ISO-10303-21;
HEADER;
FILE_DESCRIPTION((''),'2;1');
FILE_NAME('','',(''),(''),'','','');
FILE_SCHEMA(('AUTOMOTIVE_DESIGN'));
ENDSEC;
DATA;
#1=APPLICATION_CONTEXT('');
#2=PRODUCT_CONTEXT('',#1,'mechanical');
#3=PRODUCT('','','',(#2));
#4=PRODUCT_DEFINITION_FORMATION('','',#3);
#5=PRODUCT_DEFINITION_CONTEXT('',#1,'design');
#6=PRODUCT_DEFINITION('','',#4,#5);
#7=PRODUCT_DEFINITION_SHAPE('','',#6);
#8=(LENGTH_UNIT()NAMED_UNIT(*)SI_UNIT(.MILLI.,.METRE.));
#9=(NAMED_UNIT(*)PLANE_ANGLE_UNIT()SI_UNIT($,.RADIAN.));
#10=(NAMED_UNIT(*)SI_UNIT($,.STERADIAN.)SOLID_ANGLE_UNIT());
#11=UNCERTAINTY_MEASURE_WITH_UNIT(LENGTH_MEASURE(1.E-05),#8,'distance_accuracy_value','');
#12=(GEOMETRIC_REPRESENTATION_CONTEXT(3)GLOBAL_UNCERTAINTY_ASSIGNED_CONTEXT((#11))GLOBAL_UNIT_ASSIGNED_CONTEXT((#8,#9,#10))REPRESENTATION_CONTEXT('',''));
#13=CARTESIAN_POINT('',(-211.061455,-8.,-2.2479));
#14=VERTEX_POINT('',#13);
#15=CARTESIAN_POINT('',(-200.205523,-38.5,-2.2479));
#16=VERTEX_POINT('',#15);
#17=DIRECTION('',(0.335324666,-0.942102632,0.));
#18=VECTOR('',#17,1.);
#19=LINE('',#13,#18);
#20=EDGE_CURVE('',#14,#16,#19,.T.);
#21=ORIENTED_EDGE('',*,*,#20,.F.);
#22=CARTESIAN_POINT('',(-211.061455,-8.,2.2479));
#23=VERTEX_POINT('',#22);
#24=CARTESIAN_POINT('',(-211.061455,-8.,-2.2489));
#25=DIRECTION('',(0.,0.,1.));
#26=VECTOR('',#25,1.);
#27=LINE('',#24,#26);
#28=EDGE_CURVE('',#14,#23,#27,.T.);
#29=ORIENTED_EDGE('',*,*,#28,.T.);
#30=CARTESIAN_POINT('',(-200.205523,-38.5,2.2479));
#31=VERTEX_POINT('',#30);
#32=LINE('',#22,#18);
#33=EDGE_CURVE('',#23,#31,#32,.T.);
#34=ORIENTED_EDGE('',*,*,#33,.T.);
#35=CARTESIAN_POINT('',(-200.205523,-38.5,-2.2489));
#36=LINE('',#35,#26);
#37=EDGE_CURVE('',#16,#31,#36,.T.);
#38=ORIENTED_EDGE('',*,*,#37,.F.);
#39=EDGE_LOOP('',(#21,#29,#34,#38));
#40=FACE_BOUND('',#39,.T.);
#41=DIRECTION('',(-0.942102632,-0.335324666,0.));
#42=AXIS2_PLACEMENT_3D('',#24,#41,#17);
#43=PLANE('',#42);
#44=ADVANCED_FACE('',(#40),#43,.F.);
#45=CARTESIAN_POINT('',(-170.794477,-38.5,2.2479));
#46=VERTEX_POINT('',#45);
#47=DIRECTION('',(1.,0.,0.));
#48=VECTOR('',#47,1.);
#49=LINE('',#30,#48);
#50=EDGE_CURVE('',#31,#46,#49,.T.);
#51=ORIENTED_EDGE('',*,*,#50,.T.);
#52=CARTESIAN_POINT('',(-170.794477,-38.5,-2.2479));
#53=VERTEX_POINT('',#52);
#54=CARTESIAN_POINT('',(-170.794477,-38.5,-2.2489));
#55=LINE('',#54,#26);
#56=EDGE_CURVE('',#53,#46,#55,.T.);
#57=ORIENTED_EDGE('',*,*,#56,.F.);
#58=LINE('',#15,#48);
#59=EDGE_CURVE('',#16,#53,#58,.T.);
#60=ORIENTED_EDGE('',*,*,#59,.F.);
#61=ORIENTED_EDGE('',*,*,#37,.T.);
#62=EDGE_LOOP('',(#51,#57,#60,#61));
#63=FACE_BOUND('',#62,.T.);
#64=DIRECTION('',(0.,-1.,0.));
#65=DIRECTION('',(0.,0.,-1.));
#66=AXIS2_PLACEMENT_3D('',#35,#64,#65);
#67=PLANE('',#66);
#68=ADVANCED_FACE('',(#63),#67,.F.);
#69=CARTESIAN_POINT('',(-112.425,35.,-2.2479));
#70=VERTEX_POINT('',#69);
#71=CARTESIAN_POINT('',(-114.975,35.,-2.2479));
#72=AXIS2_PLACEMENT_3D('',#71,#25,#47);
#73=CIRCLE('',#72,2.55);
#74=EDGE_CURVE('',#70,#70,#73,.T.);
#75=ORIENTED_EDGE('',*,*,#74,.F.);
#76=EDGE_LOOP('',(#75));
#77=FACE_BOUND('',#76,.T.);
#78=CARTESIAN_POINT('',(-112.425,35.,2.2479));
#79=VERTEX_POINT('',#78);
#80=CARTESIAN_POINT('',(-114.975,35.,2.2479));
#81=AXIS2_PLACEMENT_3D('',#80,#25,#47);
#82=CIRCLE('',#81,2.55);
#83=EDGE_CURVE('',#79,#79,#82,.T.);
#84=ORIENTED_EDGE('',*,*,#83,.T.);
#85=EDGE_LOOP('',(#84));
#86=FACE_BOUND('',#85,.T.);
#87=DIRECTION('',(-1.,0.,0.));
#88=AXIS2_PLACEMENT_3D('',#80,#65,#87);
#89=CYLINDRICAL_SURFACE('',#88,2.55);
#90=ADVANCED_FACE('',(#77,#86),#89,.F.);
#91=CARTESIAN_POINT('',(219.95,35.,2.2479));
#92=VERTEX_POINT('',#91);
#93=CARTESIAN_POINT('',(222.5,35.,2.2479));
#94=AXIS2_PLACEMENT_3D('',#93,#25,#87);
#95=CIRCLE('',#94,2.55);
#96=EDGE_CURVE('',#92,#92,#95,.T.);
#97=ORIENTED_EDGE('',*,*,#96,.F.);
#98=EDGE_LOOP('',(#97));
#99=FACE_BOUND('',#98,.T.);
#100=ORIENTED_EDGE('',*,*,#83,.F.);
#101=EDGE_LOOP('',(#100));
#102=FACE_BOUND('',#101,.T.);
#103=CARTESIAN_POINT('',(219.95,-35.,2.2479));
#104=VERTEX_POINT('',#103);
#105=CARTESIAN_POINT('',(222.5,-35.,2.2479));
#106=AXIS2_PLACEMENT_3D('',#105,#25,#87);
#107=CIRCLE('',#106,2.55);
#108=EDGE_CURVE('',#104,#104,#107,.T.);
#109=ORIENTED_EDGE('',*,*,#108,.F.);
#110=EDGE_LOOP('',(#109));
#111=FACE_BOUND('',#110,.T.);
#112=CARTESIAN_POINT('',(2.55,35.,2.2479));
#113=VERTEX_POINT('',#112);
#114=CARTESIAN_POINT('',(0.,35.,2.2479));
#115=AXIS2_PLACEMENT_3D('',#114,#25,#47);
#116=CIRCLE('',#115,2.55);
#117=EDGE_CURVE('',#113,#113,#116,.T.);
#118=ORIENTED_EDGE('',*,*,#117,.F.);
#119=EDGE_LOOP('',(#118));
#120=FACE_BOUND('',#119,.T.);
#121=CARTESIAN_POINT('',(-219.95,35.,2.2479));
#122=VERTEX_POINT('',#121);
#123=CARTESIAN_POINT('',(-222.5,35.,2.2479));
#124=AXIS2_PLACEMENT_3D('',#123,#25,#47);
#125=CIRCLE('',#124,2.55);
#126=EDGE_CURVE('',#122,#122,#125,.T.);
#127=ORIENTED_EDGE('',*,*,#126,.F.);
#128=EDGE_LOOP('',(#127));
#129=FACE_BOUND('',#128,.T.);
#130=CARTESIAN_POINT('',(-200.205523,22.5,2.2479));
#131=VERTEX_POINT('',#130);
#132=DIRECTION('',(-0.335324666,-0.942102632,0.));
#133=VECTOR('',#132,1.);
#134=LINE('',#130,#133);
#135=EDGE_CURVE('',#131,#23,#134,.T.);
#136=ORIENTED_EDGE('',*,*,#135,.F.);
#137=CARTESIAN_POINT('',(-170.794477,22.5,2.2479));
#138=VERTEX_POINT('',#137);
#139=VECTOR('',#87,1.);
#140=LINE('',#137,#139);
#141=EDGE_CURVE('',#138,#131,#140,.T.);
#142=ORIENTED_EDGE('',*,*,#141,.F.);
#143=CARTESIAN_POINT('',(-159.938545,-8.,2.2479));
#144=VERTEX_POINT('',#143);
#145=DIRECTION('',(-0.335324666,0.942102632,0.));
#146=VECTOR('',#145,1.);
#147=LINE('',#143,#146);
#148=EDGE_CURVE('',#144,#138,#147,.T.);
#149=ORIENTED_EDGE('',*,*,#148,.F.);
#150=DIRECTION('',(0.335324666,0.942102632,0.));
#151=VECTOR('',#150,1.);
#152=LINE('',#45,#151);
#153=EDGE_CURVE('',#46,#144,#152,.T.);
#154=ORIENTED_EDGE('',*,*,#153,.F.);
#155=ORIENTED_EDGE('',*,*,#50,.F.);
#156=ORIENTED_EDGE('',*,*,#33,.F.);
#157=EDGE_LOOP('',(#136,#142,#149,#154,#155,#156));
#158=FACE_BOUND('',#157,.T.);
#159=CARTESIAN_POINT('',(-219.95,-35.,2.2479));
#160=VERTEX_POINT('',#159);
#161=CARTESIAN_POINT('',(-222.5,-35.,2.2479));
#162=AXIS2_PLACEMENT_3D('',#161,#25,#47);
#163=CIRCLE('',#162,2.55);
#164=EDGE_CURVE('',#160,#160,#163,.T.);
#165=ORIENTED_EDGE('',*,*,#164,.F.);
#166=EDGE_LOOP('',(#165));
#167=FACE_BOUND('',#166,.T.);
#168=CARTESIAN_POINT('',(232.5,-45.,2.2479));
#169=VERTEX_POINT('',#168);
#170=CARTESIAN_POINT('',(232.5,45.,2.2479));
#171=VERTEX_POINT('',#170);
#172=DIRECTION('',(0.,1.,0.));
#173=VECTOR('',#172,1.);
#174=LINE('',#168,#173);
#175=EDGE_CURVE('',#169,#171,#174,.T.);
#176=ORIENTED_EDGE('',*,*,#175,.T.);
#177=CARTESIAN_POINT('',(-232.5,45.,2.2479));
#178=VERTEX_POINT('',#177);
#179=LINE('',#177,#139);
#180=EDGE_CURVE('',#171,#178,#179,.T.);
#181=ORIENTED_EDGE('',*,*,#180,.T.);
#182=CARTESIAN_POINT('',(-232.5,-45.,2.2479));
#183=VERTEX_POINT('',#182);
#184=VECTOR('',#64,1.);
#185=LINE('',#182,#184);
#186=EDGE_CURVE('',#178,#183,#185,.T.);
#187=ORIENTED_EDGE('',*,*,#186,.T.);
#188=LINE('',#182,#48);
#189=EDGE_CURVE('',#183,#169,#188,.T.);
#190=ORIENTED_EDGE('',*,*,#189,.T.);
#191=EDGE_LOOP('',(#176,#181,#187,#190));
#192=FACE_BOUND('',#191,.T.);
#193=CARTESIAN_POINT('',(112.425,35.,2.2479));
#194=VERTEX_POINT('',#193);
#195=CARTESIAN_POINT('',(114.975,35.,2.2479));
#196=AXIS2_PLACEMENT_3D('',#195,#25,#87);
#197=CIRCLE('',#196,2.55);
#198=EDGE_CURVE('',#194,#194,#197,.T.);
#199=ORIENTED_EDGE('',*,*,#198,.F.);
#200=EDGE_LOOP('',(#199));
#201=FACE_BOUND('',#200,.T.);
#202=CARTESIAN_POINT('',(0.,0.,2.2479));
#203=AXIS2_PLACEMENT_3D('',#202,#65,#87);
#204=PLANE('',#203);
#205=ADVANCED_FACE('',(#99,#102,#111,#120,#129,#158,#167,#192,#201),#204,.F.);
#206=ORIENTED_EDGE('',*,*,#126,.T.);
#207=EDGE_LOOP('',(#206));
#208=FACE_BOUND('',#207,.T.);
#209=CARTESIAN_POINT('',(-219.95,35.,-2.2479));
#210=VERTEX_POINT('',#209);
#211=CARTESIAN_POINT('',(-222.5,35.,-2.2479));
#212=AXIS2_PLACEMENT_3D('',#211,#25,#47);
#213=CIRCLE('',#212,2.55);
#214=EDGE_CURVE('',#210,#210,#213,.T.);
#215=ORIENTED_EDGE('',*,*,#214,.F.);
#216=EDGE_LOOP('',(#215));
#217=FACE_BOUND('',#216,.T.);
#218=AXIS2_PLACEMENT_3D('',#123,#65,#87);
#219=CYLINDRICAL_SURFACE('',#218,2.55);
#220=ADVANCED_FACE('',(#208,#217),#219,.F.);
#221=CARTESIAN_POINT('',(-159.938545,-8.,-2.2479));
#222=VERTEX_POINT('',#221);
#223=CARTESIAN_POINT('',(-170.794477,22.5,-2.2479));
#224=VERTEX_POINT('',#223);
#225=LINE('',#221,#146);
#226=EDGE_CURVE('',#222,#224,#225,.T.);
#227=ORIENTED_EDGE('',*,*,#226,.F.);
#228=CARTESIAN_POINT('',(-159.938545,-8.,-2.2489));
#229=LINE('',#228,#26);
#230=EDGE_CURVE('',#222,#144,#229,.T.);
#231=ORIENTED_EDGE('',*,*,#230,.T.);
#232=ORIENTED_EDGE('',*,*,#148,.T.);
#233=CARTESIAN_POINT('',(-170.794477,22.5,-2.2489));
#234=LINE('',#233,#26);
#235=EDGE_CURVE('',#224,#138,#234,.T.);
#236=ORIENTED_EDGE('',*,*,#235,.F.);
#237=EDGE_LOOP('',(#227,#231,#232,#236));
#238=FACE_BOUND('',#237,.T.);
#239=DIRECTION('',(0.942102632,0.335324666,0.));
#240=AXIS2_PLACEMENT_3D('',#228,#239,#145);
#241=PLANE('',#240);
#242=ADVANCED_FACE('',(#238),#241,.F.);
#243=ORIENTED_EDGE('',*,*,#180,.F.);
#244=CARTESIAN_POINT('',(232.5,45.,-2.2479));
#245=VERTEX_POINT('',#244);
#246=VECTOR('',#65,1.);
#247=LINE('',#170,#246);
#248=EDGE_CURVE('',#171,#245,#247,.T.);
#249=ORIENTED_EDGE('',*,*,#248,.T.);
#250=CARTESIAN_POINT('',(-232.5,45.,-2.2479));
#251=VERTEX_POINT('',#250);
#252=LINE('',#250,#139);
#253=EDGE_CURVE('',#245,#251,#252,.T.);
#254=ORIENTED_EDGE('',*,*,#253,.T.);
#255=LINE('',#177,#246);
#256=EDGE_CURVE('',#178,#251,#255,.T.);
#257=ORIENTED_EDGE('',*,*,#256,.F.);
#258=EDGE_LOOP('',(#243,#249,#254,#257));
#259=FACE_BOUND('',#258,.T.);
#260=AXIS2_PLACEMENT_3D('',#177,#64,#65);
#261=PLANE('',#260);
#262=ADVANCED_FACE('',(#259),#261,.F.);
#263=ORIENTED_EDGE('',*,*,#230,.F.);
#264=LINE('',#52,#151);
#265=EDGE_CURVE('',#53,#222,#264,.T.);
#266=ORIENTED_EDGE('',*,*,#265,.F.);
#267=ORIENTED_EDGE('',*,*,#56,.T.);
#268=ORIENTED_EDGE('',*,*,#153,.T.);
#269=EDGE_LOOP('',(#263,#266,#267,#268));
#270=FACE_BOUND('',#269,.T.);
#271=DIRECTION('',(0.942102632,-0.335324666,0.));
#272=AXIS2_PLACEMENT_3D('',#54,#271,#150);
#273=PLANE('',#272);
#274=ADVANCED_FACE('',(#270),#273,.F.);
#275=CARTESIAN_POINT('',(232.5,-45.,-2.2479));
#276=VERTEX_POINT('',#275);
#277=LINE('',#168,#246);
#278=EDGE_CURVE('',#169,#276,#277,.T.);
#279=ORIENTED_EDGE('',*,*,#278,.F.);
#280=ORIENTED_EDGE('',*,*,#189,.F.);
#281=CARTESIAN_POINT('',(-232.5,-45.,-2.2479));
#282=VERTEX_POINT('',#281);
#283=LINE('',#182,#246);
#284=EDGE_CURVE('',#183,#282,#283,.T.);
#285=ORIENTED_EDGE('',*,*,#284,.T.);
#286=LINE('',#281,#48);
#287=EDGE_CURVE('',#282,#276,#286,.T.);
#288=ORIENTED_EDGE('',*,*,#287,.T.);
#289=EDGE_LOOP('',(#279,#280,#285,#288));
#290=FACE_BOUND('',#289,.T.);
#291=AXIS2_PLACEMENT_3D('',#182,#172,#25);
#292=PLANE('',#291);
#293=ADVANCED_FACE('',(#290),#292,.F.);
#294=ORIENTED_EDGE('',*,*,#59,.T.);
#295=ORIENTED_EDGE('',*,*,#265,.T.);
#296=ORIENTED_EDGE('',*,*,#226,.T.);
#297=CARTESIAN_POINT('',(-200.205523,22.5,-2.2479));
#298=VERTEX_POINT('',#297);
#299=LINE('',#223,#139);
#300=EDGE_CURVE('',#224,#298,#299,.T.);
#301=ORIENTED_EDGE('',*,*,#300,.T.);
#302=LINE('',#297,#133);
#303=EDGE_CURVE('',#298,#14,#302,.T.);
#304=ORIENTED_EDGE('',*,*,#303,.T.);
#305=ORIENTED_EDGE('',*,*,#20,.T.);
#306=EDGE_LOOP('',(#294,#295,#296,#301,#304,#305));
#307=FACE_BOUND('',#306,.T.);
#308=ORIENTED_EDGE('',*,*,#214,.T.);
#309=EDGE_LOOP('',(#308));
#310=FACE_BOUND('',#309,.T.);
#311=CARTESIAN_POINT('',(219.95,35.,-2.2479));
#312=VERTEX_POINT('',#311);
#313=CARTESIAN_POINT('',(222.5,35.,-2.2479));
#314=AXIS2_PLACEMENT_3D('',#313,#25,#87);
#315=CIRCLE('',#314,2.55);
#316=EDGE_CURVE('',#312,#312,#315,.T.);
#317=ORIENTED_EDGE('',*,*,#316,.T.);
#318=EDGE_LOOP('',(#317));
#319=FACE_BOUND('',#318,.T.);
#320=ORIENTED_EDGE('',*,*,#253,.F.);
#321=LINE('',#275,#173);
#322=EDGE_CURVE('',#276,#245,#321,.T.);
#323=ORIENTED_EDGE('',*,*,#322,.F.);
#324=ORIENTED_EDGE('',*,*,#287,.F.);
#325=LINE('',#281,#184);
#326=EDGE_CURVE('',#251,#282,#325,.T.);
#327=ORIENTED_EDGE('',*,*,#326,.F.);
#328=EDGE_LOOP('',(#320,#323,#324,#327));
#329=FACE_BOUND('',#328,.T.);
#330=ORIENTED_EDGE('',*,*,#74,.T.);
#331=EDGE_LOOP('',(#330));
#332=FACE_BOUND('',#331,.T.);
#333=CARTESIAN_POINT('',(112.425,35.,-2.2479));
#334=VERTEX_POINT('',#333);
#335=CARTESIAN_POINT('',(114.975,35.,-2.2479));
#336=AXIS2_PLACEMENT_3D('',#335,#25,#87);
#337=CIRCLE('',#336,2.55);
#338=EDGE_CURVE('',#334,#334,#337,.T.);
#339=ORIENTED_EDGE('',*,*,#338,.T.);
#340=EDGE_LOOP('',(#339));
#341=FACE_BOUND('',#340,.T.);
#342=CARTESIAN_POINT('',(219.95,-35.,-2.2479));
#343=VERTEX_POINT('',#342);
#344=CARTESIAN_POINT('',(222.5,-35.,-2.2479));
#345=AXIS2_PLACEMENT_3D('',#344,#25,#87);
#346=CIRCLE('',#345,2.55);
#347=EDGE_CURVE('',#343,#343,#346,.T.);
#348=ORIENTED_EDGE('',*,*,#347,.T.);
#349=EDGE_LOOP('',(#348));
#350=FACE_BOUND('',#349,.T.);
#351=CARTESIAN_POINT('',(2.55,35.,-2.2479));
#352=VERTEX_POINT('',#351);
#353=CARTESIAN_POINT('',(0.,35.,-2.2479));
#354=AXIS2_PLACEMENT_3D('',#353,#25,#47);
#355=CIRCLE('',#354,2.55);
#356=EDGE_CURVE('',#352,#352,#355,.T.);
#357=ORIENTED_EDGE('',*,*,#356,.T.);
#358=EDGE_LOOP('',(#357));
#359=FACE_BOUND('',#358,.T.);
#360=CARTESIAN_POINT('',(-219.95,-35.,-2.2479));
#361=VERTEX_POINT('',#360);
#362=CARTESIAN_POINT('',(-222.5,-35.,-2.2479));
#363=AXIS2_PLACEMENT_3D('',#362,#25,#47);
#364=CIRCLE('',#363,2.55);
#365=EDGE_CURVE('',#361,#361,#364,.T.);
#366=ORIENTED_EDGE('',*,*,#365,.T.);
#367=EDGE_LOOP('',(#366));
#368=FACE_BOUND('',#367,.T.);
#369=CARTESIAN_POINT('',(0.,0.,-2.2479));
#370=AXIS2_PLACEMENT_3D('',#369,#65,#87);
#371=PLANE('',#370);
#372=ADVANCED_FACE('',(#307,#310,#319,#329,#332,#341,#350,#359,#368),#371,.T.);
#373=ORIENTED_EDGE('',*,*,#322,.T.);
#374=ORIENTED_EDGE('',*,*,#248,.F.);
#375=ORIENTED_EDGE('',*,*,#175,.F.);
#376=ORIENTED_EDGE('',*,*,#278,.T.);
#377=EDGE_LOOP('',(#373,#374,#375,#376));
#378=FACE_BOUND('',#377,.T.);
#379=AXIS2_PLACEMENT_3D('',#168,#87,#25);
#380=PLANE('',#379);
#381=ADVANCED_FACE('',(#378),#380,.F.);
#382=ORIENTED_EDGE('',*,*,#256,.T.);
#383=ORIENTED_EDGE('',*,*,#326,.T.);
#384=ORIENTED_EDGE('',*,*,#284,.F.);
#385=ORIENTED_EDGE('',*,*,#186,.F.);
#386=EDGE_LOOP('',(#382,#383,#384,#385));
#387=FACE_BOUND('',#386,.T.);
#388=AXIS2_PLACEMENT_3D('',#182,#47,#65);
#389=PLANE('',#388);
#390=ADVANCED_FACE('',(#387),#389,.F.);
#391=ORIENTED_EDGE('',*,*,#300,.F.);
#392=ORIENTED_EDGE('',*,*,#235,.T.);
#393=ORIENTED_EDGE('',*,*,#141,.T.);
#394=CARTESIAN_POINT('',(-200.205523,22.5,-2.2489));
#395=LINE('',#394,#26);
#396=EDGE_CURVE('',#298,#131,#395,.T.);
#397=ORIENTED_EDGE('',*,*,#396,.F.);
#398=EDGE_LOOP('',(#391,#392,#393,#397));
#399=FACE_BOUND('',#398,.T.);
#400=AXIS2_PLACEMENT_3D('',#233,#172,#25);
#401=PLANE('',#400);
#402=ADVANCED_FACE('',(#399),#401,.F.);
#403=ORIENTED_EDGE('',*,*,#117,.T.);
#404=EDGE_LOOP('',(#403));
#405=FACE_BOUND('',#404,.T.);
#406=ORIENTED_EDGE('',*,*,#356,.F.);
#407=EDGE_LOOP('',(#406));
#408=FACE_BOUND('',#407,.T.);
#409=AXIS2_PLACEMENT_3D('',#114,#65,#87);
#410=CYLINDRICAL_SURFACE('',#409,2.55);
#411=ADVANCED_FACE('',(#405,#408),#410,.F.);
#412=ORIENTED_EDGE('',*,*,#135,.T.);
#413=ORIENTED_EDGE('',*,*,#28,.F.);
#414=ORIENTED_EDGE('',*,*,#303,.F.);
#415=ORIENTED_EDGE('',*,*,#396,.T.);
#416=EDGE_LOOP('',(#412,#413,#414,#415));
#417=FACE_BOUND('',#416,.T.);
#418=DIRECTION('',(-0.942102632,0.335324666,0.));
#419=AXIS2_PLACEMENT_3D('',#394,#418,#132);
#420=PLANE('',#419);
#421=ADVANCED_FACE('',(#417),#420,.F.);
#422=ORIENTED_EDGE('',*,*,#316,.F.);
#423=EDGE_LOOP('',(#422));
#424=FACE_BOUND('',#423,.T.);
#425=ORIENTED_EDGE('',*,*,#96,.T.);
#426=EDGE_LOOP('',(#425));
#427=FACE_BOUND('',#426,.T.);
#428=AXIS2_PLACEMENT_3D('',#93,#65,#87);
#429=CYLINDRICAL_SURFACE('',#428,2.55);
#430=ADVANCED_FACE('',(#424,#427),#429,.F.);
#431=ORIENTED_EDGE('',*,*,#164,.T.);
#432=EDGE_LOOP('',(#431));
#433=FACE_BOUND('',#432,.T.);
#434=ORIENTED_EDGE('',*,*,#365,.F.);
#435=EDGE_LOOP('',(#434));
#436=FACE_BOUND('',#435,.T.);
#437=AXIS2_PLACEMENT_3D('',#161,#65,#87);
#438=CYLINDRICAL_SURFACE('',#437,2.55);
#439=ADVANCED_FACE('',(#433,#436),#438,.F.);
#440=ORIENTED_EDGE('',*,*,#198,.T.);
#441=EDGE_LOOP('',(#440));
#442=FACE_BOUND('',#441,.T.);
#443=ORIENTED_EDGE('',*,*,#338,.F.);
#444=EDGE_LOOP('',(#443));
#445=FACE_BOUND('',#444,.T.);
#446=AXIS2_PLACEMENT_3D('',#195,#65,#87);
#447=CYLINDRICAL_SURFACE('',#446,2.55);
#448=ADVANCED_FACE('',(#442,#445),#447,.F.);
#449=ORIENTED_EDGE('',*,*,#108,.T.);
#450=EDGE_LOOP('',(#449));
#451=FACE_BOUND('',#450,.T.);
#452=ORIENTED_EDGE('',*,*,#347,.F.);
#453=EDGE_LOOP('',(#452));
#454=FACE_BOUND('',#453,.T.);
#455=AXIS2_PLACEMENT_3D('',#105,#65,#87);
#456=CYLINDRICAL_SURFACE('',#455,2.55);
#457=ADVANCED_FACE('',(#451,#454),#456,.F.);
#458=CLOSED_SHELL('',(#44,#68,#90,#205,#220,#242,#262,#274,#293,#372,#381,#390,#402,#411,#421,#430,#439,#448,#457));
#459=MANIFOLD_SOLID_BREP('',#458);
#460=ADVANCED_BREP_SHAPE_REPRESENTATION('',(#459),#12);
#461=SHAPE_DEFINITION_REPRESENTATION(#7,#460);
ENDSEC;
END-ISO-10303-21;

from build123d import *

# Parameters (mm, degrees)
SKETCH1_W           = 465
SKETCH1_H           = 90
SKETCH1_R           = 2.55
BOSS_EXTRUDE1_DEPTH = 2.2479
CUT_EXTRUDE1_REACH  = 6.496


with BuildPart() as part:
    # Sketch1 → Boss-Extrude1 (new body, symmetric)
    with BuildSketch(Plane.XY):
        Rectangle(SKETCH1_W, SKETCH1_H)
        with Locations((-222.5, 35)):
            Circle(SKETCH1_R, mode=Mode.SUBTRACT)
        with Locations((-222.5, -35)):
            Circle(SKETCH1_R, mode=Mode.SUBTRACT)
        with Locations((0, 35)):
            Circle(SKETCH1_R, mode=Mode.SUBTRACT)
        with Locations((-114.975, 35)):
            Circle(SKETCH1_R, mode=Mode.SUBTRACT)
        with Locations((222.5, -35)):
            Circle(SKETCH1_R, mode=Mode.SUBTRACT)
        with Locations((222.5, 35)):
            Circle(SKETCH1_R, mode=Mode.SUBTRACT)
        with Locations((114.975, 35)):
            Circle(SKETCH1_R, mode=Mode.SUBTRACT)
    extrude(amount=BOSS_EXTRUDE1_DEPTH, both=True)

    # Sketch2 → Cut-Extrude1 (cut, up to next)
    with BuildSketch(Plane.XY.offset(2.2479), mode=Mode.PRIVATE) as cut_extrude1_sk1:
        Polygon((-159.938544521, -8), (-170.794476725, 22.5), (-200.205523275, 22.5), (-211.061455479, -8), (-200.205523275, -38.5), (-170.794476725, -38.5), align=None)
    cut_extrude1_tool1 = extrude(cut_extrude1_sk1.sketch, amount=-CUT_EXTRUDE1_REACH, mode=Mode.PRIVATE) & part.part
    add(cut_extrude1_tool1.solids().sort_by_distance((-185.5, -8, 2.2479))[0], mode=Mode.SUBTRACT)


solid = part.part
